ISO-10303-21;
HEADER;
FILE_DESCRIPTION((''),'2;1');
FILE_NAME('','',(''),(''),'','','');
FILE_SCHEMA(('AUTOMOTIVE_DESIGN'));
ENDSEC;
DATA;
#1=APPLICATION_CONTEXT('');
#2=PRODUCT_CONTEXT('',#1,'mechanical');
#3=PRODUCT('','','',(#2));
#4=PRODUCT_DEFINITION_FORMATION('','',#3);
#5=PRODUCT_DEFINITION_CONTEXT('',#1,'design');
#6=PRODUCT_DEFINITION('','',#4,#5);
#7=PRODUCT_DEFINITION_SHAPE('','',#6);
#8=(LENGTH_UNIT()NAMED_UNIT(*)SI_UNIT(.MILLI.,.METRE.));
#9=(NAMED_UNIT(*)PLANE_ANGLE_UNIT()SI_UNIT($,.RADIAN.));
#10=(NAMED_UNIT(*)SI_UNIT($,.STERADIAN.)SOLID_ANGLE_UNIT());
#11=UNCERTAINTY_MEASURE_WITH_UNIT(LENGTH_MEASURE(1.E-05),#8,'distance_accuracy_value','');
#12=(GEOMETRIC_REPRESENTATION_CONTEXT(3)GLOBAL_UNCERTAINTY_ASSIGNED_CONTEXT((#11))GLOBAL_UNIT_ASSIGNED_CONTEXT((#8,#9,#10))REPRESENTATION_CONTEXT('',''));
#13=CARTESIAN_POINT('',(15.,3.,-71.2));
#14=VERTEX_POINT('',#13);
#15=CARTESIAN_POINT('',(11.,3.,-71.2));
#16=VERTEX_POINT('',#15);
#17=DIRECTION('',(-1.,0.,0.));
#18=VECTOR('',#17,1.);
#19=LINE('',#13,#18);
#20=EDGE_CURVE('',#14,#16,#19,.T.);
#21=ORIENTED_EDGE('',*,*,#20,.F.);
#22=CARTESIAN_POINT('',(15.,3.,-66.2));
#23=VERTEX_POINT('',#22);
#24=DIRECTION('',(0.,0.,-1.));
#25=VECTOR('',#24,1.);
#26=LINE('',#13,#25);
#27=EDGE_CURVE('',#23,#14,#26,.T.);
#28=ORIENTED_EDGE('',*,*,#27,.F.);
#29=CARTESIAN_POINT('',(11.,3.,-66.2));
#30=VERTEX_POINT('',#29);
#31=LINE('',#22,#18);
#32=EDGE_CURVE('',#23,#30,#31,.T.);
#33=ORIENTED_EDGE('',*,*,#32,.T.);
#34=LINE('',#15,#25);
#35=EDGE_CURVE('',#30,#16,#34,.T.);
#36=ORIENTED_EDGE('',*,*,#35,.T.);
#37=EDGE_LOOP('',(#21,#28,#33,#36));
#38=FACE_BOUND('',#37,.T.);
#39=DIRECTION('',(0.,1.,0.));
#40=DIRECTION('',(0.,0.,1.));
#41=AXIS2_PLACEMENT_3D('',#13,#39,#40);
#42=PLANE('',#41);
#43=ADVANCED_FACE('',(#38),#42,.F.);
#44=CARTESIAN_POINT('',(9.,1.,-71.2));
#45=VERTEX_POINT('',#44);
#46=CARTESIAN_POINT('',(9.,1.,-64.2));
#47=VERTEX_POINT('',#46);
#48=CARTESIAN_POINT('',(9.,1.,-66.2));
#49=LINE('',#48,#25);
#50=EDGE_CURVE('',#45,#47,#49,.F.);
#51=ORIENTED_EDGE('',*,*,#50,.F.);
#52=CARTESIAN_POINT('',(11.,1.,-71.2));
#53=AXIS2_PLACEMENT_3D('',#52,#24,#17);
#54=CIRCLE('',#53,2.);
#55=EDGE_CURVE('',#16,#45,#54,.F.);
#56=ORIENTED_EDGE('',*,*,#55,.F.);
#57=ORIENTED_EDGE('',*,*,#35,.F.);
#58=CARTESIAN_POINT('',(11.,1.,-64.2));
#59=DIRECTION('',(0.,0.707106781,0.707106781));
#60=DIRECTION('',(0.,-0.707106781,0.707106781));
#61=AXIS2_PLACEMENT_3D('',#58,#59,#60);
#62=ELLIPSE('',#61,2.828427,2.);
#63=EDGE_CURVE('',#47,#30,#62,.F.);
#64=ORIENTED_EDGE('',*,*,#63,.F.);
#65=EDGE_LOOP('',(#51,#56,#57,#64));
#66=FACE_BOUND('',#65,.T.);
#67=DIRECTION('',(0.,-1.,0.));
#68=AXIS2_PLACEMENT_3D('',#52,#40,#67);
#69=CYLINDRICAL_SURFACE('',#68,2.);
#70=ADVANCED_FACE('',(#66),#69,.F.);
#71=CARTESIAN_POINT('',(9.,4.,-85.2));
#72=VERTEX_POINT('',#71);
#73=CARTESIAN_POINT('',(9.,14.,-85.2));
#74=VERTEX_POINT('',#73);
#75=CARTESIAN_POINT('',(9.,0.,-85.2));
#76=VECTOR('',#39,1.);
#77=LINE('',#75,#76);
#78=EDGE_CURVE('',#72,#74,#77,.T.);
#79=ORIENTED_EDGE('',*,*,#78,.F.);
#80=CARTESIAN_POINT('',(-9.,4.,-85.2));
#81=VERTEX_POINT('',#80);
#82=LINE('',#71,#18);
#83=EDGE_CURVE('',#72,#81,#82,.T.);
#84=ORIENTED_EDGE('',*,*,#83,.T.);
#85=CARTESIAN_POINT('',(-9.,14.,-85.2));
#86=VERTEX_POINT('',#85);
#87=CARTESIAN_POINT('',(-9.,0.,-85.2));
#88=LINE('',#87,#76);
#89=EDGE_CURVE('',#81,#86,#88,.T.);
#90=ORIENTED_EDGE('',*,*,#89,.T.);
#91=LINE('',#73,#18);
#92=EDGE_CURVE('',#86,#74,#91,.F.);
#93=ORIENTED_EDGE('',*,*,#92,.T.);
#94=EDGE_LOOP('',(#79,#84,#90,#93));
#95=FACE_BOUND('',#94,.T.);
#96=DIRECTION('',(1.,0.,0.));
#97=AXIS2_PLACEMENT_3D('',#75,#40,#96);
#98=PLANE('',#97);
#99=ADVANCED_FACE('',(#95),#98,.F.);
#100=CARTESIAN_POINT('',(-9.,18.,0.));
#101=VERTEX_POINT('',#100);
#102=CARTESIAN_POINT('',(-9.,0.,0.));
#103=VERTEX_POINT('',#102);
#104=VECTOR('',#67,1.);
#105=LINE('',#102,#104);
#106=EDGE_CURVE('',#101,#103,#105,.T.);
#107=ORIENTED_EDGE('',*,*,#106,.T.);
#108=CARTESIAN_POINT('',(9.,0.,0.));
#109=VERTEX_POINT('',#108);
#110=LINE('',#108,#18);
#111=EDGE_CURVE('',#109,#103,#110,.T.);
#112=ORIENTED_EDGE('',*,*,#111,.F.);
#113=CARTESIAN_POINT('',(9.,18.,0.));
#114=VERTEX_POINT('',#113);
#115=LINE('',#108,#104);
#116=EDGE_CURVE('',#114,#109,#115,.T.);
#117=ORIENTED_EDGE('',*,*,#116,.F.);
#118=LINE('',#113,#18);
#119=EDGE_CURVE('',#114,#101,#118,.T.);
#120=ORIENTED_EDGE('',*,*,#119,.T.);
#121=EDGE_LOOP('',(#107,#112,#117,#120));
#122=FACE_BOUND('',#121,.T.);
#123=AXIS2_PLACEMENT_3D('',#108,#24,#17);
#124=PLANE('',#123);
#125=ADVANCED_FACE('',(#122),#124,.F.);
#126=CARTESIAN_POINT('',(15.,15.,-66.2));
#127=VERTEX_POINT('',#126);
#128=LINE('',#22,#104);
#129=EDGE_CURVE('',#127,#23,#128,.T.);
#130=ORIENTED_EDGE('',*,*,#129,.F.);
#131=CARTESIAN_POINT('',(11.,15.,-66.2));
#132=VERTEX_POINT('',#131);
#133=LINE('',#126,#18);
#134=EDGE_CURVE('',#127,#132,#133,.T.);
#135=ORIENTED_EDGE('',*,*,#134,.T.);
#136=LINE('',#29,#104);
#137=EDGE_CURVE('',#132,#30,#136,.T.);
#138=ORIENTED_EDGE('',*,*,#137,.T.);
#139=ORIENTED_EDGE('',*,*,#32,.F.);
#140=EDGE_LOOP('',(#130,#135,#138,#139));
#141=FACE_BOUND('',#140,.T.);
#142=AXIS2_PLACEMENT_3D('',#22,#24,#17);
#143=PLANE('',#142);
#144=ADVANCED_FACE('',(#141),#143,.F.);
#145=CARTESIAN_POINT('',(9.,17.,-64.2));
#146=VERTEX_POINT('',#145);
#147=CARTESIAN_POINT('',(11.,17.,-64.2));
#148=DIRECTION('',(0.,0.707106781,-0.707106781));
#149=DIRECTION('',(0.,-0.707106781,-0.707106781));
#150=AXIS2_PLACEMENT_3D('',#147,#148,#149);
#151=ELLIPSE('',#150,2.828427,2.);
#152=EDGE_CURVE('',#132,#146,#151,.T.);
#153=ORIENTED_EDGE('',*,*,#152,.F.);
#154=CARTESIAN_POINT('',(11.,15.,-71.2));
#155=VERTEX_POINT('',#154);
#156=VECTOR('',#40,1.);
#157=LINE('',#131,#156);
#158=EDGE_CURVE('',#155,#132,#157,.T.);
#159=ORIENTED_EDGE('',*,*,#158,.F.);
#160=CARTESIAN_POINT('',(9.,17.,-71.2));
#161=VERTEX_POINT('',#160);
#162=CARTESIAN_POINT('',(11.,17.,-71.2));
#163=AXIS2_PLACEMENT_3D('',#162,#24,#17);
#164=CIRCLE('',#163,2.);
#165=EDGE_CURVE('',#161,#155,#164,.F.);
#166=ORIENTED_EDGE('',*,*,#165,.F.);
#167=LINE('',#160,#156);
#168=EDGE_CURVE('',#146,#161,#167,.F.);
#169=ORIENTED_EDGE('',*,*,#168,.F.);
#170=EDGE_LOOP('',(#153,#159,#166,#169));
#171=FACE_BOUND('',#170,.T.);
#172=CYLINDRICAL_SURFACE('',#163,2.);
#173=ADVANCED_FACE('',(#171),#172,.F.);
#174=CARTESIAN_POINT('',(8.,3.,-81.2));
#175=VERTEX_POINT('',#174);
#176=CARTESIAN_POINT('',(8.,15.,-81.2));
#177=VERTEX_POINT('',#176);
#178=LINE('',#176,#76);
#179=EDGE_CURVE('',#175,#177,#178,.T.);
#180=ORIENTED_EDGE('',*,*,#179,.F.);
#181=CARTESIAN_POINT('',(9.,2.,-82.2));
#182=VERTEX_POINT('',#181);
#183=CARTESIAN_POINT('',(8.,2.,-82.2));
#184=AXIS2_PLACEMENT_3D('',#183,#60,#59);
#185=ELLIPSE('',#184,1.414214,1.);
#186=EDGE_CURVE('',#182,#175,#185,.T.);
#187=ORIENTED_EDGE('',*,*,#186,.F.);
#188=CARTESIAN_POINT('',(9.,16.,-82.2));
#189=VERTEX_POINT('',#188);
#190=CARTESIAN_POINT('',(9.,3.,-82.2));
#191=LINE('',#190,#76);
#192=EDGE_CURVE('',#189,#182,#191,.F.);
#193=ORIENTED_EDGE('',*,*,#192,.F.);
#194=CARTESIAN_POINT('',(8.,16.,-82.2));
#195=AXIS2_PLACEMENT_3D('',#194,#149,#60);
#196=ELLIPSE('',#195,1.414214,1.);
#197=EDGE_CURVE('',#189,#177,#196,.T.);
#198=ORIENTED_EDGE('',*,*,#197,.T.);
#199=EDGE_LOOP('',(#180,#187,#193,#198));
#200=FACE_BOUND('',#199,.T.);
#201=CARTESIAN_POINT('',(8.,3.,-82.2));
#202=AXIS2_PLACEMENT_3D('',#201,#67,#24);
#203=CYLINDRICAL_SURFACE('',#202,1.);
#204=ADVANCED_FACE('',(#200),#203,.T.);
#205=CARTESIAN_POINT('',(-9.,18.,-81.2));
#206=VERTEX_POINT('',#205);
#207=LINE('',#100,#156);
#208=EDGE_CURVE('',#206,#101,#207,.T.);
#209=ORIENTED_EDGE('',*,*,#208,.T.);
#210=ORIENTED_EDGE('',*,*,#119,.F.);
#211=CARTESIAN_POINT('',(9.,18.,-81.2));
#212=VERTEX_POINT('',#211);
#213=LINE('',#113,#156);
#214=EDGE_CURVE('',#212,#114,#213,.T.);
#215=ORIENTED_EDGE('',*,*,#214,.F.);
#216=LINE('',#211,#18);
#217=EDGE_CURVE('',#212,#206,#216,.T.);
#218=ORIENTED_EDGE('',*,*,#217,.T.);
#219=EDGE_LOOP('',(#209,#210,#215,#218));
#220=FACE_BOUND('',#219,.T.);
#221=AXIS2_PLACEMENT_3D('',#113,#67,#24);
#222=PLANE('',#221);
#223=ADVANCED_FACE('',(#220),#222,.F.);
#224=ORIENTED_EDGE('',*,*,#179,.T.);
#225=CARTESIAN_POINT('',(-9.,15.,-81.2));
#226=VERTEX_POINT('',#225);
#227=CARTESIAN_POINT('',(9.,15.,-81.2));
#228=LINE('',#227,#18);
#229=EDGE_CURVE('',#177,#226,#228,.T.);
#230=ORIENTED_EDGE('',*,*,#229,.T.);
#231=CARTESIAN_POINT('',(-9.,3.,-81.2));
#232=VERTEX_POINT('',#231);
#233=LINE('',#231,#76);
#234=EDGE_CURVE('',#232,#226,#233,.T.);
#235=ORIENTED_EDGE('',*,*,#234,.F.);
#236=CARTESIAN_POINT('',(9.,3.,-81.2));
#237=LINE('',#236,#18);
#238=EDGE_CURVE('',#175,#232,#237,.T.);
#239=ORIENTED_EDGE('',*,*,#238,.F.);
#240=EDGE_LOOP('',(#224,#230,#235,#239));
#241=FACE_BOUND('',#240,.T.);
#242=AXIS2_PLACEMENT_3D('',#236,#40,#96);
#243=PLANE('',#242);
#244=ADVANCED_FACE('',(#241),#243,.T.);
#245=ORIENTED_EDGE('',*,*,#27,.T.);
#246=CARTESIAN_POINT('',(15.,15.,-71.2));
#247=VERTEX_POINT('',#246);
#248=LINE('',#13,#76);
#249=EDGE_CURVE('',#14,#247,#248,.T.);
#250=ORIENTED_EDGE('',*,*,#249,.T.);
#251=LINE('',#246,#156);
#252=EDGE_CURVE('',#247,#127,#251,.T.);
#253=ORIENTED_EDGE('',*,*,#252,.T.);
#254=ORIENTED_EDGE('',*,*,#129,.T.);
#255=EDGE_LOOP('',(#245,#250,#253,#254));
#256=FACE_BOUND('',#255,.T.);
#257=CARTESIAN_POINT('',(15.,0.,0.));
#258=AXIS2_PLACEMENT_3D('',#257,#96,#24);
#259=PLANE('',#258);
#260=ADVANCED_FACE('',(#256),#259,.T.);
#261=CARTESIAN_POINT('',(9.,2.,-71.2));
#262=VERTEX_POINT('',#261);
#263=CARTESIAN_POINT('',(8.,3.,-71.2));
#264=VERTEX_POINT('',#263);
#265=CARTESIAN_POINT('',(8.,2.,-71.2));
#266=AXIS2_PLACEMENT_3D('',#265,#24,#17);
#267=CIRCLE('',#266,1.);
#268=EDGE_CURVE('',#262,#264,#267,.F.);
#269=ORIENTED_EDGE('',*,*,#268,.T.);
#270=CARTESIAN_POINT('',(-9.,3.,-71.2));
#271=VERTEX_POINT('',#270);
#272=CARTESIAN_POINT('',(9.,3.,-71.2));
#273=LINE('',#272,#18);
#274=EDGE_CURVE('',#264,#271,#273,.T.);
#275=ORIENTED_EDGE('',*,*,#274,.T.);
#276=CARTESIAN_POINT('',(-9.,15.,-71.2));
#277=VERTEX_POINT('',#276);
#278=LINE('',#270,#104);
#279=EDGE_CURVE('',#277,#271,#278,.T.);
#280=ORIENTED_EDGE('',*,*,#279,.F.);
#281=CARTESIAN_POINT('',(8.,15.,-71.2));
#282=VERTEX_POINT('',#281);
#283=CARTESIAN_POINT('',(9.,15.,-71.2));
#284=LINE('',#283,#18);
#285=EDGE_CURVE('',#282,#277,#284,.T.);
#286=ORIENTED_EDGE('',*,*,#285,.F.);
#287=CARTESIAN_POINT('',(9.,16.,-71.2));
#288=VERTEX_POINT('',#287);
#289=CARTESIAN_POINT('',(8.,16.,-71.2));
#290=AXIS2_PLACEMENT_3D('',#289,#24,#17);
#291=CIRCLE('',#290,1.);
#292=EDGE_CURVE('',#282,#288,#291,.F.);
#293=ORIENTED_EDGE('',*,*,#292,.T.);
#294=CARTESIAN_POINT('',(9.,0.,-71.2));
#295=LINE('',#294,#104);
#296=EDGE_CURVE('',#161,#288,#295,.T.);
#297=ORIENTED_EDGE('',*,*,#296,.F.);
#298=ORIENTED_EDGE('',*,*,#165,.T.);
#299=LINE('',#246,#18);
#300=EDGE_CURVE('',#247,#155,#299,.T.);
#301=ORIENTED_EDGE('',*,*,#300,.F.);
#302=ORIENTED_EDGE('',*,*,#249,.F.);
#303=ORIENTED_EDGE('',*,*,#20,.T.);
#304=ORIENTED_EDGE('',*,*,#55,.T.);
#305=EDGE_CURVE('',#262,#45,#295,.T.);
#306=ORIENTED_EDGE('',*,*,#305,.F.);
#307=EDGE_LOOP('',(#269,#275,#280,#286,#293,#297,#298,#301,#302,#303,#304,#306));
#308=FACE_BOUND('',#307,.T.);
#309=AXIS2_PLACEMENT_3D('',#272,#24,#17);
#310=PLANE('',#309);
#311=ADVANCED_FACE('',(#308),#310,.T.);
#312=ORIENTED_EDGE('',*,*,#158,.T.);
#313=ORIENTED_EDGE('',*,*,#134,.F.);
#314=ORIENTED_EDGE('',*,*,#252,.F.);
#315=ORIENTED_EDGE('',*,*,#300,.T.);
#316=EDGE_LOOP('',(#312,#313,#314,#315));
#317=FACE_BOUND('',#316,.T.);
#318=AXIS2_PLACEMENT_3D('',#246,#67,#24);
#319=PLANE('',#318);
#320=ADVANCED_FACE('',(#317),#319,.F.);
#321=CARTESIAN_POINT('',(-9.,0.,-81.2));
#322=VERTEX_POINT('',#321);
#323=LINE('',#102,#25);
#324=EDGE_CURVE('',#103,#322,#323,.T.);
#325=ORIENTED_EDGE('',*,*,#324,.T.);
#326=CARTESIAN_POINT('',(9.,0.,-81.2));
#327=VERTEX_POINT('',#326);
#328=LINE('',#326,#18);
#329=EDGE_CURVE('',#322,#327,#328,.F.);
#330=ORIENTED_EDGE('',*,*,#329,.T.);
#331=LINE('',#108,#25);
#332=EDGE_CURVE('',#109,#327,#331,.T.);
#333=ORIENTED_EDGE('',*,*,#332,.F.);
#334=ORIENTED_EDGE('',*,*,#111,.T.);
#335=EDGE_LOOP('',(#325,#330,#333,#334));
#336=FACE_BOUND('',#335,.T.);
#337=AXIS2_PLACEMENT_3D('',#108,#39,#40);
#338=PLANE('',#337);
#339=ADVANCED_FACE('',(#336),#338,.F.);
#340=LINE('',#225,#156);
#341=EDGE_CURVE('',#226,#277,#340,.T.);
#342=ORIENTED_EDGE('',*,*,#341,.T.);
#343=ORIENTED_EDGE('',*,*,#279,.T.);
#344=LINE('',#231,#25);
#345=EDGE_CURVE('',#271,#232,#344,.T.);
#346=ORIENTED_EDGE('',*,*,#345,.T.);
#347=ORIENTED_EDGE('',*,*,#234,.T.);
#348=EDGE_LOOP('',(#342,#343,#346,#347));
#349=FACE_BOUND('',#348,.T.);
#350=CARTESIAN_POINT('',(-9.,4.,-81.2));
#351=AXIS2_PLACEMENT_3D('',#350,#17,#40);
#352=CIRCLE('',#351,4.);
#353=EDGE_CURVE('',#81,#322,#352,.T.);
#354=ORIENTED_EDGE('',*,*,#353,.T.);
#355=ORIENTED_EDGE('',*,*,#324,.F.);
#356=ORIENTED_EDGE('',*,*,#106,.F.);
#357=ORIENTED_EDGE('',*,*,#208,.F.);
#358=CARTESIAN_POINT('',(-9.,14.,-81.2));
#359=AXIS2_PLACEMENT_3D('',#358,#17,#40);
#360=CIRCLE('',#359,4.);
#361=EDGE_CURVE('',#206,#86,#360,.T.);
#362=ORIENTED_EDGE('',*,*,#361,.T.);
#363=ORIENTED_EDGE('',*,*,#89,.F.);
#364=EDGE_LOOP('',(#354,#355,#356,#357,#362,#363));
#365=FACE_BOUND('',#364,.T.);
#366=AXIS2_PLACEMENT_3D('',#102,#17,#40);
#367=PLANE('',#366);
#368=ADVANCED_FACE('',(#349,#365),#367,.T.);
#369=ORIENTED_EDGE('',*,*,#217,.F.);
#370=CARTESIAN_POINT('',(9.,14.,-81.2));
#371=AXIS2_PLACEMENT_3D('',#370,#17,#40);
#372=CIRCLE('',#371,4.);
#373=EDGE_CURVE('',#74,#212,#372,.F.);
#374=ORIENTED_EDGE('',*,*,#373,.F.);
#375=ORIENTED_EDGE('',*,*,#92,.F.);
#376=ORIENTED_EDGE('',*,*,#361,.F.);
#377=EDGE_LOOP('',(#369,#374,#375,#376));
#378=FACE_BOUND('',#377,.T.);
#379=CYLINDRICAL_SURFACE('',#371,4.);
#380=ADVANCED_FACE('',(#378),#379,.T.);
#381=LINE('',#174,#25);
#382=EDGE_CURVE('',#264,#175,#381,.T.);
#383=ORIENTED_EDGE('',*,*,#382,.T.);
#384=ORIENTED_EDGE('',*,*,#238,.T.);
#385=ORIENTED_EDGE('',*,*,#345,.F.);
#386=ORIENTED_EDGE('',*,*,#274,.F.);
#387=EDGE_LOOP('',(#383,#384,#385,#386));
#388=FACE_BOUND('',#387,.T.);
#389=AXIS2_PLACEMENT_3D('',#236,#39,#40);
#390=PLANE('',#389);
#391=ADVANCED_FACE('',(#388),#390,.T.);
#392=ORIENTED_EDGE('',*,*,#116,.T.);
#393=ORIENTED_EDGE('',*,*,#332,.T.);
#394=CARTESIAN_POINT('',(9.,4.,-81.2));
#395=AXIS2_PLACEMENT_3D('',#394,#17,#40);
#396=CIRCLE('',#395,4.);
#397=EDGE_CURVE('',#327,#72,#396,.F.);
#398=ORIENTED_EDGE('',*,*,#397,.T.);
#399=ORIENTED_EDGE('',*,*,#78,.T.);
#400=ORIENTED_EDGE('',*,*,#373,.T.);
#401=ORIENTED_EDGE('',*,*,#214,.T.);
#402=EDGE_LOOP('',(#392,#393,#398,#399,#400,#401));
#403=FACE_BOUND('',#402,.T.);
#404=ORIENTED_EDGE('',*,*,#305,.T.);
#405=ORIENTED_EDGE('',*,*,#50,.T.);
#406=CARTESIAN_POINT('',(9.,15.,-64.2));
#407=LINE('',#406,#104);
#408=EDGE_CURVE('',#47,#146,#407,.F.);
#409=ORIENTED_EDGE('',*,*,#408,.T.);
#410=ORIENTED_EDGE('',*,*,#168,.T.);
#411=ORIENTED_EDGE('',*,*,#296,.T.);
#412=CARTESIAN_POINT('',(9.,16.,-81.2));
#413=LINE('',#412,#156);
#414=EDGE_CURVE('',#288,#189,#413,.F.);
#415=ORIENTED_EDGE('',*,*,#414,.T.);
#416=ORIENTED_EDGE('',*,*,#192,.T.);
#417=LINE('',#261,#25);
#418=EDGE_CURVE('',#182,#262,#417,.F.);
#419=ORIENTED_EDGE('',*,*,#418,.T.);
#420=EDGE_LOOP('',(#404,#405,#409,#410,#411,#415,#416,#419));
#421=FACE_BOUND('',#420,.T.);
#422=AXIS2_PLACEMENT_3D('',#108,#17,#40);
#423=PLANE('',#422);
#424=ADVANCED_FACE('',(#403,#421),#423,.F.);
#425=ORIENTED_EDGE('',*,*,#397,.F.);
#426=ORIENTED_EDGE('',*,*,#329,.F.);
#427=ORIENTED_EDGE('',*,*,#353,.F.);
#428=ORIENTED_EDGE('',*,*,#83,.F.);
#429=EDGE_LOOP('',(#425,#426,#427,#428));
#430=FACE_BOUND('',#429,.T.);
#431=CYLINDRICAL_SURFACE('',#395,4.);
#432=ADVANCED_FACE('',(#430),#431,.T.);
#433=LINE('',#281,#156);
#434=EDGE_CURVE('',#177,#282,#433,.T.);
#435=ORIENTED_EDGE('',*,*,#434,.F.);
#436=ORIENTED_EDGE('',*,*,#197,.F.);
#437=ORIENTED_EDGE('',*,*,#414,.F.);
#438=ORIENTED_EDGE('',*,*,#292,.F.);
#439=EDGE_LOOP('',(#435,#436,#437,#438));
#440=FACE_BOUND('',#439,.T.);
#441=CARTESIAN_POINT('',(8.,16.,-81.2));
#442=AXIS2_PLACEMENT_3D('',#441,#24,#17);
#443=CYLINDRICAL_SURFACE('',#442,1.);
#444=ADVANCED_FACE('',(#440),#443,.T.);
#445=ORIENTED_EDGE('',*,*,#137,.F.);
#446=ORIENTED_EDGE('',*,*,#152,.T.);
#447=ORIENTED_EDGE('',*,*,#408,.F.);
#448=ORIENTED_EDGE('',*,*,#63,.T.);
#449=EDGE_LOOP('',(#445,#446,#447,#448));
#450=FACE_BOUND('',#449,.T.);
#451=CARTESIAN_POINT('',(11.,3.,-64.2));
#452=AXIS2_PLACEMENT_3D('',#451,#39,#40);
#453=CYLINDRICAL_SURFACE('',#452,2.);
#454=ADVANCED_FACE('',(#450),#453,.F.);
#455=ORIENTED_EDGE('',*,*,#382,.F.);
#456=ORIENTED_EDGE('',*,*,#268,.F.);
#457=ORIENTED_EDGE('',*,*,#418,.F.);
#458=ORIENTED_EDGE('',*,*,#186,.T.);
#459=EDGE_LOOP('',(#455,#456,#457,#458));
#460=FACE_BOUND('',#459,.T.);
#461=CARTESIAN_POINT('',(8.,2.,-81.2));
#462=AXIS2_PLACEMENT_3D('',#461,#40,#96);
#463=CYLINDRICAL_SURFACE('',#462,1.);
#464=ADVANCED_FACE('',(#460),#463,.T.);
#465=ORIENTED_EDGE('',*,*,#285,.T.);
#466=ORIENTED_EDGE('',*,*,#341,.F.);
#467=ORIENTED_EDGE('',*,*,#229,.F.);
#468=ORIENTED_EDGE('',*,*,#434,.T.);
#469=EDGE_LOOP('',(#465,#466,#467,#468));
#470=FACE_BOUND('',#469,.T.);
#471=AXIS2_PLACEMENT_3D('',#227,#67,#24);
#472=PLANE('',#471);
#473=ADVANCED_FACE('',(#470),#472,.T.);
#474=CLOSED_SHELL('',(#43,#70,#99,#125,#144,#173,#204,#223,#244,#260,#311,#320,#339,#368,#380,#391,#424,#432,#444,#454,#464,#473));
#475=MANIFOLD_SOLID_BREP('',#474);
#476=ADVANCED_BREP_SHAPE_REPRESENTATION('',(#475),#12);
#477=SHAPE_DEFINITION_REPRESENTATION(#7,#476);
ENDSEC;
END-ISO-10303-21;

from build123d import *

# Parameters (mm, degrees)
SKETCH1_W           = 85.2
SKETCH1_H           = 18
SKETCH1_W_2         = 10
SKETCH1_H_2         = 12
BOSS_EXTRUDE1_DEPTH = 9
SKETCH2_W           = 5
SKETCH2_H           = 12
BOSS_EXTRUDE2_DEPTH = 6
FILLET1_R           = 2
FILLET2_R           = 1
FILLET3_R           = 4


with BuildPart() as part:
    # Sketch1 → Boss-Extrude1 (new, symmetric)
    with BuildSketch(Plane(origin=(0, 0, 0), x_dir=(0, 0, -1), z_dir=(1, 0, 0))):
        with Locations((42.6, 9)):
            Rectangle(SKETCH1_W, SKETCH1_H)
        with Locations((76.2, 9)):
            Rectangle(SKETCH1_W_2, SKETCH1_H_2, mode=Mode.SUBTRACT)
    extrude(amount=BOSS_EXTRUDE1_DEPTH, both=True)

    # Sketch2 → Boss-Extrude2 (add)
    with BuildSketch(Plane(origin=(9, 0, 0), x_dir=(0, 0, -1), z_dir=(1, 0, 0))):
        with Locations((68.7, 9)):
            Rectangle(SKETCH2_W, SKETCH2_H)
    extrude(amount=BOSS_EXTRUDE2_DEPTH)

    # Fillet1
    fillet1_edges = [part.edges().sort_by_distance(p)[0] for p in [
        (9, 15, -68.7),
        (9, 9, -66.2),
        (9, 3, -68.7),
    ]]
    fillet(fillet1_edges, radius=FILLET1_R)

    # Fillet2
    fillet2_edges = [part.edges().sort_by_distance(p)[0] for p in [
        (9, 9, -81.2),
        (9, 15, -76.2),
        (9, 3, -76.2),
    ]]
    fillet(fillet2_edges, radius=FILLET2_R)

    # Fillet3
    fillet3_edges = [part.edges().sort_by_distance(p)[0] for p in [
        (0, 18, -85.2),
        (0, 0, -85.2),
    ]]
    fillet(fillet3_edges, radius=FILLET3_R)


solid = part.part
